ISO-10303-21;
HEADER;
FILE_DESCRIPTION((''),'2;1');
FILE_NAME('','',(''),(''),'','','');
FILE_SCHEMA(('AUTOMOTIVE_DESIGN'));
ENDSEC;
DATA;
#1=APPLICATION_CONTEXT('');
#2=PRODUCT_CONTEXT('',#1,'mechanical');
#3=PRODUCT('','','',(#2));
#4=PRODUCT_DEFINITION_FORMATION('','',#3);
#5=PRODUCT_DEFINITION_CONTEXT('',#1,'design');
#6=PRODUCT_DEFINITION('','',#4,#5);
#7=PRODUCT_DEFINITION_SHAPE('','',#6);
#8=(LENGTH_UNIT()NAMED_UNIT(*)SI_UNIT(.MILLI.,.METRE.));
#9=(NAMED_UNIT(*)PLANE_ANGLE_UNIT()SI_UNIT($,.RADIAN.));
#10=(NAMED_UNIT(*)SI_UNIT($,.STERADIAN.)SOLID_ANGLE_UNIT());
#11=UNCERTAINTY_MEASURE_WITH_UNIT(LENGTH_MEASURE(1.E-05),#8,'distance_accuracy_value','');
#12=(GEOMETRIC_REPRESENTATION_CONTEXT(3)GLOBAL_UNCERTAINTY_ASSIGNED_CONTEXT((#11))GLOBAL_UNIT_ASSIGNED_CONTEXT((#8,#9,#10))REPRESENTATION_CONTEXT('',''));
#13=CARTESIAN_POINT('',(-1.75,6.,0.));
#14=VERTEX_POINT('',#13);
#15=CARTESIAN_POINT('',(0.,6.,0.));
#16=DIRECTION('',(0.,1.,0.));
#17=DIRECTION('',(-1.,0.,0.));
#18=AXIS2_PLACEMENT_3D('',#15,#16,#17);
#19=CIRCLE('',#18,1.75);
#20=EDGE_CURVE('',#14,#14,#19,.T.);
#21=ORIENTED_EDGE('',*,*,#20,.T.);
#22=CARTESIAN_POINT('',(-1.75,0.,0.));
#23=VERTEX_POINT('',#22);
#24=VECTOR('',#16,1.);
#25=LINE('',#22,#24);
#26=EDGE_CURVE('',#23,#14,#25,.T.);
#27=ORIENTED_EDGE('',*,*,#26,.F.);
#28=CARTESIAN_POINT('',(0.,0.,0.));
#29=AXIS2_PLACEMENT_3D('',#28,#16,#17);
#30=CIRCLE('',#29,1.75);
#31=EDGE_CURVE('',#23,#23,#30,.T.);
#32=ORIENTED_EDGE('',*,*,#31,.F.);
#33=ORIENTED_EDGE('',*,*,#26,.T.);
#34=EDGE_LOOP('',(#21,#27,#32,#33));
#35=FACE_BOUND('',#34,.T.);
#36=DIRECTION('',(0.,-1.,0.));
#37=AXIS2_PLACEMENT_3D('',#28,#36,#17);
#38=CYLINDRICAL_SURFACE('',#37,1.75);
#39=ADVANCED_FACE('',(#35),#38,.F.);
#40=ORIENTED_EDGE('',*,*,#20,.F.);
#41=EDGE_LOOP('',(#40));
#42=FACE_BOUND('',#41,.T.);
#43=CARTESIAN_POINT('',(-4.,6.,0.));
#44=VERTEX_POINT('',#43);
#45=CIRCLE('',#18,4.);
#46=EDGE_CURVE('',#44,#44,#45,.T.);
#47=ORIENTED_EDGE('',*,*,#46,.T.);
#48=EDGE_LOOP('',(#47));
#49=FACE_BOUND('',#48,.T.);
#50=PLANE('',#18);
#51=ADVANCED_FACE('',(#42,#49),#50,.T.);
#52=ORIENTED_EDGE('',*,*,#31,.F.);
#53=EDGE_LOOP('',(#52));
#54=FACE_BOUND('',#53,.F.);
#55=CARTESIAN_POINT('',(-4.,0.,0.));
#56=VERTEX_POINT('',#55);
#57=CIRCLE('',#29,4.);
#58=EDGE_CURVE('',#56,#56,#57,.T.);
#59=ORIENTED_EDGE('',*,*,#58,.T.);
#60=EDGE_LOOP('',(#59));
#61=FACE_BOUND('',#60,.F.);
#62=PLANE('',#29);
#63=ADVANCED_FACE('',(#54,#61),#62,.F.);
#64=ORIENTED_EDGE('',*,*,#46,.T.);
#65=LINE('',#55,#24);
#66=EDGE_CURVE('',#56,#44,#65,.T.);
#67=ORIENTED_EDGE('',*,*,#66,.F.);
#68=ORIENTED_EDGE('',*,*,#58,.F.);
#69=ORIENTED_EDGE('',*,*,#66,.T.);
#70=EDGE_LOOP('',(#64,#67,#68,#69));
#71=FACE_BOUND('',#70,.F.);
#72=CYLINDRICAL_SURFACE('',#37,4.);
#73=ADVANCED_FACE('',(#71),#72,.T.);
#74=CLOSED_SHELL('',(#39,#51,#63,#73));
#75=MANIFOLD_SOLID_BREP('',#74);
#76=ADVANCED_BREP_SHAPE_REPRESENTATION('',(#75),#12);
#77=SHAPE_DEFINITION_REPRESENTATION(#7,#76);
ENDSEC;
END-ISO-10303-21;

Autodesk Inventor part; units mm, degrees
ref_plane "YZ Plane" through (0, 0, 0) normal (1, 0, 0) x (0, 1, 0)
ref_plane "XZ Plane" through (0, 0, 0) normal (0, 1, 0) x (-1, 0, 0)
ref_plane "XY Plane" through (0, 0, 0) normal (0, 0, 1) x (1, 0, 0)
sketch "Boceto1" plane through (0, 0, 0) normal (0, 1, 0) x (-1, 0, 0)
  circle A0 centre (0, 0) radius 1.75
  circle A1 centre (0, 0) radius 4
  dimension "d0" = 3.5
  dimension "d1" = 8
extrude "Extrusión1" add sketch "Boceto1" along normal blind 6
properties part number "espaciador dimmer"
